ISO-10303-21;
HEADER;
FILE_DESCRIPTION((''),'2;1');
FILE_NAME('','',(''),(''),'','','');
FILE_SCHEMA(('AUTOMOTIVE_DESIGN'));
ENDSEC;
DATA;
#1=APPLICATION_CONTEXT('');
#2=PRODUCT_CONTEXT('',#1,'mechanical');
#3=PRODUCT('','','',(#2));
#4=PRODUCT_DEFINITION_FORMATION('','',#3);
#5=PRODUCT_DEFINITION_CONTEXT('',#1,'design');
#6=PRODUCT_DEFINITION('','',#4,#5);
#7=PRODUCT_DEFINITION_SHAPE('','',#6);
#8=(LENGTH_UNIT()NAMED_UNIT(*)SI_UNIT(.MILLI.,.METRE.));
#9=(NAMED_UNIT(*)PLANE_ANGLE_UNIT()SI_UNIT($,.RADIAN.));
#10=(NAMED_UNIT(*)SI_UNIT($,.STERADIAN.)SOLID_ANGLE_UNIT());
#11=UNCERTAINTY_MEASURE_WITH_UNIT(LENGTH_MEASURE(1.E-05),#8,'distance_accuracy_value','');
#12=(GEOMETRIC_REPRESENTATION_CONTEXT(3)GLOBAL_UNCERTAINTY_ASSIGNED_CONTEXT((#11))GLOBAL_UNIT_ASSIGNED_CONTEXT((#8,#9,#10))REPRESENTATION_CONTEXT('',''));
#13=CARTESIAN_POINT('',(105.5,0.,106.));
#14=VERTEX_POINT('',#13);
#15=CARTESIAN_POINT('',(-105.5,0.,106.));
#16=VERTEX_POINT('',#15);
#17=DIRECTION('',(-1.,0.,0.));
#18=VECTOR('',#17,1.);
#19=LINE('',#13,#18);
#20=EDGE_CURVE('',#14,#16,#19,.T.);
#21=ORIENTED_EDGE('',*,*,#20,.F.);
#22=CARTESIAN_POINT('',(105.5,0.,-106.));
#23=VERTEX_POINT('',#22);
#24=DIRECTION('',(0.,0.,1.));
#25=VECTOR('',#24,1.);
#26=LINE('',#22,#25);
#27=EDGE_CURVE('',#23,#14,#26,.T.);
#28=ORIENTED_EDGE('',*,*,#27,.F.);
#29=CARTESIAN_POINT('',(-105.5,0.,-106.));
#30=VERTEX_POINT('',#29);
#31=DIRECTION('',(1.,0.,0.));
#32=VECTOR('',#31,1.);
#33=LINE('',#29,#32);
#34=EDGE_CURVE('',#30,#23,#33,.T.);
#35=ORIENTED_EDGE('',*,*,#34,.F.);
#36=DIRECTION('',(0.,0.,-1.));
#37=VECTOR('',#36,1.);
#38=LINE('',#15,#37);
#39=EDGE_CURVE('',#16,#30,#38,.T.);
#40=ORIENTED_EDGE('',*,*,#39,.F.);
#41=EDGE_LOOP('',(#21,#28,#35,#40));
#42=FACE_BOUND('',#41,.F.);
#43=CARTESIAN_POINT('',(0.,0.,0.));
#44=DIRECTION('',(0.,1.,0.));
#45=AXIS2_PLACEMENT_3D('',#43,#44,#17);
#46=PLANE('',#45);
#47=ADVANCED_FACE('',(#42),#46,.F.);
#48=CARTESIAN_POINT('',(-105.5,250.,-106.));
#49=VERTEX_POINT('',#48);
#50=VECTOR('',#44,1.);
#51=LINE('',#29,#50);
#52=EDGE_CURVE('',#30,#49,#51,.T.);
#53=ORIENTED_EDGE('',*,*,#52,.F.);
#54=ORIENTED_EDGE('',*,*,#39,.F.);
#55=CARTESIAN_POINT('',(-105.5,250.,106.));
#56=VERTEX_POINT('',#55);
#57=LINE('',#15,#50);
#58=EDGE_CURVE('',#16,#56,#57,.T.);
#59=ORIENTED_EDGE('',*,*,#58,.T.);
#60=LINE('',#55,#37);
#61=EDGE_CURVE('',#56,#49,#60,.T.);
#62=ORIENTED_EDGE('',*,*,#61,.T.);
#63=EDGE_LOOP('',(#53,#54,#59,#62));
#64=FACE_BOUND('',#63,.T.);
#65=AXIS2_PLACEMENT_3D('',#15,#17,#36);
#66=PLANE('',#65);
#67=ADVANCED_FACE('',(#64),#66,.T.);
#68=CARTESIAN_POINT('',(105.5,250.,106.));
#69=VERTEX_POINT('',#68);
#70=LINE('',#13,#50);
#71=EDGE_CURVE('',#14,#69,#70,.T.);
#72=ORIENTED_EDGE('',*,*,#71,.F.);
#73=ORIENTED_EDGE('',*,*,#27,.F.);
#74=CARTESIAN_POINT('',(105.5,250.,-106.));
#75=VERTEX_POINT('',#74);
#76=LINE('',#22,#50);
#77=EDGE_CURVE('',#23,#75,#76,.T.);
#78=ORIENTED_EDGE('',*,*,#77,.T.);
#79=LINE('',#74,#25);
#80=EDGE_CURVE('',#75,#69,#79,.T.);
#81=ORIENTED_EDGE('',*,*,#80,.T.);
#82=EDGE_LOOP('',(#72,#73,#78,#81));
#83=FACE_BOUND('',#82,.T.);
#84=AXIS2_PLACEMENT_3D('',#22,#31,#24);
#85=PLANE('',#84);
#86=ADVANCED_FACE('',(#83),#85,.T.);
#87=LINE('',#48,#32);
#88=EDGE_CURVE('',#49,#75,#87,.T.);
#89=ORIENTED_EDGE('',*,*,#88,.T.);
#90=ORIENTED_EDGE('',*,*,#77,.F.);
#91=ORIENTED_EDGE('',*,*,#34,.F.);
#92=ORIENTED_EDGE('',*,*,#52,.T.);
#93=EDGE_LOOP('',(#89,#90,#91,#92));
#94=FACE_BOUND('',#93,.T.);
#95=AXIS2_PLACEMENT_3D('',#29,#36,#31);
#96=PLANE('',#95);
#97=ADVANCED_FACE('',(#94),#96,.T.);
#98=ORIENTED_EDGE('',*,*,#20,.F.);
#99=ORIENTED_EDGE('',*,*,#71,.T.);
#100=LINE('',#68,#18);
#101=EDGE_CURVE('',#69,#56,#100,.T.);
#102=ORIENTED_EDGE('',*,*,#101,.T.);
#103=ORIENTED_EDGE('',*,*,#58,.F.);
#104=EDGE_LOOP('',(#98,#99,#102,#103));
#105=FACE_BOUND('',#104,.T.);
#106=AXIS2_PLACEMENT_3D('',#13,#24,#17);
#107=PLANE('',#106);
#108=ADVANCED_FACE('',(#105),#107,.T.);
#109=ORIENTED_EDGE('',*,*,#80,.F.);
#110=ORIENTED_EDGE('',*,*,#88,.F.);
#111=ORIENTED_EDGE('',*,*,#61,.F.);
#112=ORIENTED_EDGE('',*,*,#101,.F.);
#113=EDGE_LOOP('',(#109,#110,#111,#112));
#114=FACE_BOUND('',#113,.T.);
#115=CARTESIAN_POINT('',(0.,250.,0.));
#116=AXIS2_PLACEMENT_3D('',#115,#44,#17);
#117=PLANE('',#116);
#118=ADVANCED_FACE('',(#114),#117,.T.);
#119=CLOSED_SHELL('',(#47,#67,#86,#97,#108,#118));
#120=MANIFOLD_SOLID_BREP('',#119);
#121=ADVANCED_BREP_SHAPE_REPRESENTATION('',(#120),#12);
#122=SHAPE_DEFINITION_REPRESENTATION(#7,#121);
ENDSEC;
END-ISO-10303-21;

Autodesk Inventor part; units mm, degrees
ref_plane "YZ Plane" through (0, 0, 0) normal (1, 0, 0) x (0, 1, 0)
ref_plane "XZ Plane" through (0, 0, 0) normal (0, 1, 0) x (-1, 0, 0)
ref_plane "XY Plane" through (0, 0, 0) normal (0, 0, 1) x (1, 0, 0)
sketch "Sketch1" plane through (0, 0, 0) normal (0, 1, 0) x (-1, 0, 0)
  line L0 (-105.5, 106) -> (105.5, 106)
  line L1 (105.5, 106) -> (105.5, -106)
  line L2 (105.5, -106) -> (-105.5, -106)
  line L3 (-105.5, -106) -> (-105.5, 106)
  line L4 (-105.5, 106) -> (105.5, -106) construction
  line L5 (105.5, 106) -> (-105.5, -106) construction
  point P0 (0, 0)
  dimension "d0" = 211
  dimension "d1" = 212
extrude "Extrusion1" add sketch "Sketch1" along normal blind 250
equation "\"BendRadius\" = Thickness"
equation "\"BendReliefWidth\" = Thickness"
equation "\"BendReliefDepth\" = 0.5 * Thickness"
equation "\"CornerReliefSize\" = 4 * Thickness"
equation "\"MinimumRemnant\" = 2 * Thickness"
equation "\"TransitionRadius\" = BendRadius"
equation "\"JacobiRadiusSize\" = Thickness"
equation "\"GapSize\" = Thickness"
equation "\"Thickness\" = 0.5"
properties part number "3d printing workspace"
